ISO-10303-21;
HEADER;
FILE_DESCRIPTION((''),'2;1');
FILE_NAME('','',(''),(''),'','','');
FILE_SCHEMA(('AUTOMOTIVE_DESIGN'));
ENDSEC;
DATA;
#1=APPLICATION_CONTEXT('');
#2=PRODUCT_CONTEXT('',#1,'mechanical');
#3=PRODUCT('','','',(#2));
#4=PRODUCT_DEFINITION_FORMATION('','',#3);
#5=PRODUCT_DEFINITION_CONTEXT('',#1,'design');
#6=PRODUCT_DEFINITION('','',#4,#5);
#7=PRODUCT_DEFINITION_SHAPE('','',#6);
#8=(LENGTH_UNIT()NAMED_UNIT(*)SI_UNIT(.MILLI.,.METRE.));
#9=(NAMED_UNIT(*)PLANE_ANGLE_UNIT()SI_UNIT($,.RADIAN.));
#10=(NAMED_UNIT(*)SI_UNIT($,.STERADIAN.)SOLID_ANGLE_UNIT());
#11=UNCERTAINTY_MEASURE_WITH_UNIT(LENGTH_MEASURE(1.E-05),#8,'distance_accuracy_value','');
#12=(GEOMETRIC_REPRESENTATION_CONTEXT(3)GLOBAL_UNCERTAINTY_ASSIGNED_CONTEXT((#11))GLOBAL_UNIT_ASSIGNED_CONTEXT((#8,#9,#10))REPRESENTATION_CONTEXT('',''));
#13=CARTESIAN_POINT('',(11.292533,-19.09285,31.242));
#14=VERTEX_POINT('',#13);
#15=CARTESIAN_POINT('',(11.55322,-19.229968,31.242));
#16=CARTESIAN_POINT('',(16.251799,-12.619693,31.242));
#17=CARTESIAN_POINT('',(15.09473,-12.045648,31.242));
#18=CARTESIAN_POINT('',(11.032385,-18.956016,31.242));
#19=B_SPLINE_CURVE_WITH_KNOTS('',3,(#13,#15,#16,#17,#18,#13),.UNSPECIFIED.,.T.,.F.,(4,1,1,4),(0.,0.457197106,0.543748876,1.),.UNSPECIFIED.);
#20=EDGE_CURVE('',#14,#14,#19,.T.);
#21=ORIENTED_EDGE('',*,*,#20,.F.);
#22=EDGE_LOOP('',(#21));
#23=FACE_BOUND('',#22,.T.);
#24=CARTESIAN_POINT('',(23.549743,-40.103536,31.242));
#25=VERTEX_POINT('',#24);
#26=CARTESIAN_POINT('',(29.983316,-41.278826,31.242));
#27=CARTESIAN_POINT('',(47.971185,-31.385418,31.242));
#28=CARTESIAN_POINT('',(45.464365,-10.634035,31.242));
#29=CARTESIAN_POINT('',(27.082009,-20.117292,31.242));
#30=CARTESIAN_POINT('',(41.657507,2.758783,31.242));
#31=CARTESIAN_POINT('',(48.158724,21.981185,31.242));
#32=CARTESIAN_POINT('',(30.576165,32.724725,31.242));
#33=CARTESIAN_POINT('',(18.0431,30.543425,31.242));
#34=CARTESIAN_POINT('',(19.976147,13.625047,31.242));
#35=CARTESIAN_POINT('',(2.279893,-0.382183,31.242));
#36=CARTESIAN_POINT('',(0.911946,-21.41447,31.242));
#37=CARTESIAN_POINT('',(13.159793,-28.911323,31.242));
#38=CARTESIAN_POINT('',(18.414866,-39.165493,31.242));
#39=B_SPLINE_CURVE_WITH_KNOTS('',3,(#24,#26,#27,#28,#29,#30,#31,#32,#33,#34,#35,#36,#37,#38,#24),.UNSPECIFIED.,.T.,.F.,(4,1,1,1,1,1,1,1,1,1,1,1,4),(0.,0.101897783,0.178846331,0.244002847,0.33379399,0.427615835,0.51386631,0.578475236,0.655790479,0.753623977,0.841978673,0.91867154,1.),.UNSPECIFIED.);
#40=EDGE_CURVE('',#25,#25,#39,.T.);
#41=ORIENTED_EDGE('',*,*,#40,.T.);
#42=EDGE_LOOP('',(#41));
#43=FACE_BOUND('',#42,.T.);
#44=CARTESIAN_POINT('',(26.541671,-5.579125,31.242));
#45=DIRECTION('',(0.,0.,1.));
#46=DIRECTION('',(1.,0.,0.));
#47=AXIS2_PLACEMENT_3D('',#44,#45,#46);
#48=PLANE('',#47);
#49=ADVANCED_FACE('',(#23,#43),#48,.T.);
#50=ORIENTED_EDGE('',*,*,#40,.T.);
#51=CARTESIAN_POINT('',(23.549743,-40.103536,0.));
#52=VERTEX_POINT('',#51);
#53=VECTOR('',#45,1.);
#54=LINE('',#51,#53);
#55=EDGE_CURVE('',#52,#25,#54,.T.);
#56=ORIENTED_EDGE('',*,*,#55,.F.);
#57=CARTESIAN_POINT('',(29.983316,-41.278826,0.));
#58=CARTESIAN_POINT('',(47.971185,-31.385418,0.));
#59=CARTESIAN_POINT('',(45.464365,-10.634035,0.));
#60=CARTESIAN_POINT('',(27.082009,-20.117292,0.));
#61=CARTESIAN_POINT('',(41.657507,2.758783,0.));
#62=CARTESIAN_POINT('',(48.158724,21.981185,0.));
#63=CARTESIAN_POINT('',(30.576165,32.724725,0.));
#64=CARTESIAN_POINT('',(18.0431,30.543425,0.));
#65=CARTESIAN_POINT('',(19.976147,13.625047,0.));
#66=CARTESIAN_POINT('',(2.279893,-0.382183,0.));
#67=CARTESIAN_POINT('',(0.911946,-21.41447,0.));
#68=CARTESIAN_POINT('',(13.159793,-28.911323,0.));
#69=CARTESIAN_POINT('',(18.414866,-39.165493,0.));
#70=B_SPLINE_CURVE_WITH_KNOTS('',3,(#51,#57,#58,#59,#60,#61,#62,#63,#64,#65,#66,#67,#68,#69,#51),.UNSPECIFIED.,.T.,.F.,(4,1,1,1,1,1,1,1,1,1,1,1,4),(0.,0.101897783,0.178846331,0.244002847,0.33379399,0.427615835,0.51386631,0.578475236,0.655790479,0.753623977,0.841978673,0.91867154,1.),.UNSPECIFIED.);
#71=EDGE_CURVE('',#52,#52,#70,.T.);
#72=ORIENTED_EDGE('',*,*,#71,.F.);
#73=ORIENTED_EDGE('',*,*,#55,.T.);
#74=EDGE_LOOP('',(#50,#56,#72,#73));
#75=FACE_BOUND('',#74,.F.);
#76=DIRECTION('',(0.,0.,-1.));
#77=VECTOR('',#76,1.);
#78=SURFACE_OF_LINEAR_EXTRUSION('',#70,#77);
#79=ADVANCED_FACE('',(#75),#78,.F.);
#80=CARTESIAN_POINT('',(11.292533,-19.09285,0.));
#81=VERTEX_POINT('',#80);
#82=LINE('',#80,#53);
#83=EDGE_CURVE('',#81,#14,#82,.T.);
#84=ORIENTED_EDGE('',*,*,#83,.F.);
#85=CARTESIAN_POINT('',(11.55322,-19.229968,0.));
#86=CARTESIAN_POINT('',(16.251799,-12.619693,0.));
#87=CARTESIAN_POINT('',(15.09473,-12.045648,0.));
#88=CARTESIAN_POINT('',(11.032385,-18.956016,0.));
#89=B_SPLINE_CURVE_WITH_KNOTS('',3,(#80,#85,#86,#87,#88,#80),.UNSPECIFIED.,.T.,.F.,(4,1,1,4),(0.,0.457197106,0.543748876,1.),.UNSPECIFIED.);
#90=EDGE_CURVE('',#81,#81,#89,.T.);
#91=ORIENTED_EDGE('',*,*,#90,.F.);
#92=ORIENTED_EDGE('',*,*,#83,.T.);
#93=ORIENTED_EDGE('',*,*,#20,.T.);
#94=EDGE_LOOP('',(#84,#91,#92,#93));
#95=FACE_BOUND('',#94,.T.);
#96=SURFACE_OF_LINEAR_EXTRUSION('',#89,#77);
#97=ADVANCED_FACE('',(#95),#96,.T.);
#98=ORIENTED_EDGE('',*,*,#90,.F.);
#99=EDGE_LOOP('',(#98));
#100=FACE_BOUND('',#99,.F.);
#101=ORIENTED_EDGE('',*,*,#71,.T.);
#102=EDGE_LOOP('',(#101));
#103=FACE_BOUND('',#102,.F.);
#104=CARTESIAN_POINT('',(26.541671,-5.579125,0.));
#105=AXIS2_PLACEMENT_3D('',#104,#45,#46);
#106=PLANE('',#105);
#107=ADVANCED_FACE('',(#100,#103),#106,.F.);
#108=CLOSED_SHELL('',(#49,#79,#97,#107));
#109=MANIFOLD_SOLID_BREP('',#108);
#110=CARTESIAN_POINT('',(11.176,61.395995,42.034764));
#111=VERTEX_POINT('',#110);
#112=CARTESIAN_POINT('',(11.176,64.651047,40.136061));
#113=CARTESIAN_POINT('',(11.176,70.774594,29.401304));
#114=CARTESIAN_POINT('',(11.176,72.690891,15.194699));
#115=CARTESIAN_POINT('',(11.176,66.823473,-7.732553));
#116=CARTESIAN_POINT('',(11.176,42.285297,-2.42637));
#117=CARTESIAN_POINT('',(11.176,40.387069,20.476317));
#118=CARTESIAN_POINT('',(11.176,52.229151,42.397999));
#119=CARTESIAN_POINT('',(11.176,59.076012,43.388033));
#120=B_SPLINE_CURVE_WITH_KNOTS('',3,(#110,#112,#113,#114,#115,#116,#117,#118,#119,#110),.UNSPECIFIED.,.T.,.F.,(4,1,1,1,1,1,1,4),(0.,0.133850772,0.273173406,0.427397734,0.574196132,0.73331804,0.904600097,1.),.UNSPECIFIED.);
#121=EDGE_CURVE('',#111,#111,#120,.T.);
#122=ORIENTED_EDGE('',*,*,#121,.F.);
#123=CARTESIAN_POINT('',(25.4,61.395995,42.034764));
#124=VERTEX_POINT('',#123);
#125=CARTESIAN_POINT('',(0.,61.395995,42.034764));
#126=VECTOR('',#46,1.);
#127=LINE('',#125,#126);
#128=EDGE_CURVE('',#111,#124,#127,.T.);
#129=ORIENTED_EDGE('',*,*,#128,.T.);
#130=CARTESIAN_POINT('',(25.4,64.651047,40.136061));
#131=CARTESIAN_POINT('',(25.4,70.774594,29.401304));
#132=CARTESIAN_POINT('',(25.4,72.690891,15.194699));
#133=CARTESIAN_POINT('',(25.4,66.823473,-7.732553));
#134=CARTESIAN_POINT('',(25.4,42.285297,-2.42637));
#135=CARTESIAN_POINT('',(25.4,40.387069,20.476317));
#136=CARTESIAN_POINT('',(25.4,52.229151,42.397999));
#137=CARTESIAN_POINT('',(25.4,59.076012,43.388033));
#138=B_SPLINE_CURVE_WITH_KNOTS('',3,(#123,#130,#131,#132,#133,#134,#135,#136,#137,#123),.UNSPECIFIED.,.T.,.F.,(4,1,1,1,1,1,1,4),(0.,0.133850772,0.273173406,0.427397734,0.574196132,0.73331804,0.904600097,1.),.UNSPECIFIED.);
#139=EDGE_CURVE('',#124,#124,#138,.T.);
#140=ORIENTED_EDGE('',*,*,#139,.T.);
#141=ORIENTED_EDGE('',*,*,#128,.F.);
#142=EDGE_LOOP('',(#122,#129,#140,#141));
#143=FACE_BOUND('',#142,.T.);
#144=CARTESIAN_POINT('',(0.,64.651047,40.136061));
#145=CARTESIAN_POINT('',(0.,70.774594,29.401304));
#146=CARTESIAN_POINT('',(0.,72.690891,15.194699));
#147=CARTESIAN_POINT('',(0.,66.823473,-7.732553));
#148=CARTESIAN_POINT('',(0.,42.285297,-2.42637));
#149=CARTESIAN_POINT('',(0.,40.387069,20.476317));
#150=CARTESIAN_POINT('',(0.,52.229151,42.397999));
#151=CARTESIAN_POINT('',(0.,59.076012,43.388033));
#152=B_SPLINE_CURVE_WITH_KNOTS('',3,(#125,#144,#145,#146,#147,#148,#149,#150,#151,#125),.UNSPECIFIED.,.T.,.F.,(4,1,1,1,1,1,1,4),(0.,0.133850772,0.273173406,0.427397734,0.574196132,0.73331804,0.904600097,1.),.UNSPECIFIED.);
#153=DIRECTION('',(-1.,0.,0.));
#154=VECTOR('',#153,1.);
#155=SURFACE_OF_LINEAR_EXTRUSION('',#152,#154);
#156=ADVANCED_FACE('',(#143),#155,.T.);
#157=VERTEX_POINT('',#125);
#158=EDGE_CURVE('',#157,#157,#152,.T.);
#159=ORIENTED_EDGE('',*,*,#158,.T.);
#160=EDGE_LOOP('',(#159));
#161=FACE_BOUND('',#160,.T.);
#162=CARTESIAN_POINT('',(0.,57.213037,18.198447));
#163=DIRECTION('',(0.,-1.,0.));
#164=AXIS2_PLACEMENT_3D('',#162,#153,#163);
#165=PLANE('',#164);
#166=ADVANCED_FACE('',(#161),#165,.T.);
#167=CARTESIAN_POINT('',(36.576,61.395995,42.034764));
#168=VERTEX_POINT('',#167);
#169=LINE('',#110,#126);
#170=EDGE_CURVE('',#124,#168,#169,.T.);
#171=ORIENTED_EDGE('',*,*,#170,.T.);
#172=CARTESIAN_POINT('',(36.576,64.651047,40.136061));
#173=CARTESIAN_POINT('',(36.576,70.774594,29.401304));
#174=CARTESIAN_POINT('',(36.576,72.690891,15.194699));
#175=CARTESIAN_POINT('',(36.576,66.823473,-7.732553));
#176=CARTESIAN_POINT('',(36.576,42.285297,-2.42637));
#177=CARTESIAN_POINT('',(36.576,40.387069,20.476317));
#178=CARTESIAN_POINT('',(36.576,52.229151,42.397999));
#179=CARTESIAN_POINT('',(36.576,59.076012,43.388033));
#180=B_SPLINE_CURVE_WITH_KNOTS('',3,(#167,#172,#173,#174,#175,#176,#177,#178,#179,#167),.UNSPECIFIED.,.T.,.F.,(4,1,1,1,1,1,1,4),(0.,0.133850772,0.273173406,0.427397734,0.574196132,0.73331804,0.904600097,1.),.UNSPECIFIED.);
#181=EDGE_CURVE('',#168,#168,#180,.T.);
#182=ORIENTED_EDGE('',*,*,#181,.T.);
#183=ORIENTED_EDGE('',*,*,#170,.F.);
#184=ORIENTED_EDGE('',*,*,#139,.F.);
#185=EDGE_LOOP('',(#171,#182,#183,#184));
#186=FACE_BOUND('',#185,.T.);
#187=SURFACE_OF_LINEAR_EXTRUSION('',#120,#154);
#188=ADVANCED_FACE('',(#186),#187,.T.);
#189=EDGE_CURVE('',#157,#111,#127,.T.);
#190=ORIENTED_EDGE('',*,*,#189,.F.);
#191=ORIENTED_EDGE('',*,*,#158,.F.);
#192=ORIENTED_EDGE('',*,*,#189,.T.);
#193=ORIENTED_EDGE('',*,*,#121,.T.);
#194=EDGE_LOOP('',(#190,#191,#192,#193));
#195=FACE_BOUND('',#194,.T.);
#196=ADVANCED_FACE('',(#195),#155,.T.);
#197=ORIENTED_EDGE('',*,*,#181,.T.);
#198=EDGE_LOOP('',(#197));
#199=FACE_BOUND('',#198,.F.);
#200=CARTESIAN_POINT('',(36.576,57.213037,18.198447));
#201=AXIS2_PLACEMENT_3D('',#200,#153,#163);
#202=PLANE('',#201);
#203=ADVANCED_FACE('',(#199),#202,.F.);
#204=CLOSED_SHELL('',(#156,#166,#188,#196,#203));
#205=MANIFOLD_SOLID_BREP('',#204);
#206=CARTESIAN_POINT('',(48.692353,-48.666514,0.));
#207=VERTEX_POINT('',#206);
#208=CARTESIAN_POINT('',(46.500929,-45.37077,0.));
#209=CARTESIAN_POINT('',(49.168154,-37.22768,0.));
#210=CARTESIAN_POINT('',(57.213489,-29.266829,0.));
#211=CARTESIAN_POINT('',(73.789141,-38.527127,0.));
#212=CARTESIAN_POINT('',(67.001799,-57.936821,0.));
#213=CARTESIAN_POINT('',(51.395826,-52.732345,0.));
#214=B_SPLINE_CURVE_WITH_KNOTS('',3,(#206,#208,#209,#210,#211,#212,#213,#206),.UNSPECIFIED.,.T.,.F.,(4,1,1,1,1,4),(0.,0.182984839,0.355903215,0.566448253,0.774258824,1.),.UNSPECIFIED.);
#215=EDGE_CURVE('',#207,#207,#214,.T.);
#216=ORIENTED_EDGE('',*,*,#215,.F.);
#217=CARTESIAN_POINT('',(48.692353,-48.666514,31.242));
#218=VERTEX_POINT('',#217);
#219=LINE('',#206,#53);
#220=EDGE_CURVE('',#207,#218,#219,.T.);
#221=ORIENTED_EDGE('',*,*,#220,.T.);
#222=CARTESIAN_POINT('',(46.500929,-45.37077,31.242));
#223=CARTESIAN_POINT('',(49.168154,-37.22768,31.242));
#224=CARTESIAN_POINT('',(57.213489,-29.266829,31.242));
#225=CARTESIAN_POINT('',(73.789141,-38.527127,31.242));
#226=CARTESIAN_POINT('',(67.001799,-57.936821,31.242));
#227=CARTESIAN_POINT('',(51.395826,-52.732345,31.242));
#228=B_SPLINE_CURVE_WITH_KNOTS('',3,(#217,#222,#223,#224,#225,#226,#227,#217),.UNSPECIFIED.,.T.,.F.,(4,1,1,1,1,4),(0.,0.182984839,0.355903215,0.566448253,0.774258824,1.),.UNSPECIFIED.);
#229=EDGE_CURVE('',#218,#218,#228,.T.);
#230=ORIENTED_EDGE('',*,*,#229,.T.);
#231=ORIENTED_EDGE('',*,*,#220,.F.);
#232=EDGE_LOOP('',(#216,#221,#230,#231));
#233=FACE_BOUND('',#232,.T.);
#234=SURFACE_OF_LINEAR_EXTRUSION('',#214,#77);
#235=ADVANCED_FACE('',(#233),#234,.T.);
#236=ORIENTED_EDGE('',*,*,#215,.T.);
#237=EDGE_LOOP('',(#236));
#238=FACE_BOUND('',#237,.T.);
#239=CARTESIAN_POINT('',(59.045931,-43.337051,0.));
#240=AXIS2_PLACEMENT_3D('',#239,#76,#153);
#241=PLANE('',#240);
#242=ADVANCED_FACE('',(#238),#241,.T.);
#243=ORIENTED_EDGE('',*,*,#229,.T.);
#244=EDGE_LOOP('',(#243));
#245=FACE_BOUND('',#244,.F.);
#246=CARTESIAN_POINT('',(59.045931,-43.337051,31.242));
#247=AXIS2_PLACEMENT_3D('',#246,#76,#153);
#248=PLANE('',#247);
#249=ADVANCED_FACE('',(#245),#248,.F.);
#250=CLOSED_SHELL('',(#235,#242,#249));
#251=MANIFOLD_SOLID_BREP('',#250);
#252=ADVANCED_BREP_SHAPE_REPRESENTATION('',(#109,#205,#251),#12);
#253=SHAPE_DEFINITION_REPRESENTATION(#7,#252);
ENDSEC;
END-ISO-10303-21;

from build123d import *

# Parameters (mm, degrees)
F1_DEPTH = 31.242
F3_DEPTH = 11.176
F4_DEPTH = 25.4


with BuildPart() as f1:
    # F0 (on Top) → F1 (new body)
    with BuildSketch(Plane.XY):
        with BuildLine():
            add(Edge.make_bspline(
                [(23.5497429967, -40.1035360992), (29.9833158166, -41.2788259409), (47.9711851947, -31.3854184954), (45.4643645992, -10.6340345324), (27.0820088824, -20.117292247), (41.6575070226, 2.7587827901), (48.1587239606, 21.9811852047), (30.5761651268, 32.7247252722), (18.0431003853, 30.5434245343), (19.9761471231, 13.6250471487), (2.2798932471, -0.382183002), (0.9119455853, -21.4144698778), (13.1597933761, -28.911322758), (18.4148661243, -39.1654929938), (23.5497429967, -40.1035360992)],
                knots=[0, 0, 0, 0, 0.1018977825, 0.1788463313, 0.2440028472, 0.3337939899, 0.4276158348, 0.51386631, 0.5784752362, 0.6557904791, 0.7536239766, 0.8419786727, 0.9186715405, 1, 1, 1, 1], degree=3))
        make_face()
        with BuildLine():
            add(Edge.make_bspline(
                [(11.2925330177, -19.0928503871), (11.5532199303, -19.2299682307), (16.2517992428, -12.6196934711), (15.0947299119, -12.0456482481), (11.0323854898, -18.9560162526), (11.2925330177, -19.0928503871)],
                knots=[0, 0, 0, 0, 0.4571971061, 0.5437488759, 1, 1, 1, 1], degree=3))
        make_face(mode=Mode.SUBTRACT)
    extrude(amount=F1_DEPTH)


with BuildPart() as f1b:
    # F0 (on Top) → F1, piece 2 (new body)
    with BuildSketch(Plane.XY):
        with BuildLine():
            add(Edge.make_bspline(
                [(48.6923530698, -48.6665144563), (46.5009291503, -45.3707698318), (49.1681540871, -37.2276797586), (57.2134890081, -29.2668289332), (73.7891414347, -38.5271267177), (67.0017985075, -57.936820731), (51.3958262957, -52.7323445645), (48.6923530698, -48.6665144563)],
                knots=[0, 0, 0, 0, 0.182984839, 0.355903215, 0.5664482529, 0.7742588239, 1, 1, 1, 1], degree=3))
        make_face()
    extrude(amount=F1_DEPTH)


with BuildPart() as f3:
    # F2 (on Right) → F3 (new body)
    with BuildSketch(Plane.YZ):
        with BuildLine():
            add(Edge.make_bspline(
                [(61.3959953189, 42.0347638428), (64.6510468164, 40.1360607161), (70.7745942736, 29.4013036112), (72.6908906695, 15.1946993841), (66.8234728402, -7.7325525334), (42.2852968785, -2.4263699832), (40.3870694014, 20.4763169925), (52.2291514885, 42.3979986707), (59.0760117058, 43.3880327983), (61.3959953189, 42.0347638428)],
                knots=[0, 0, 0, 0, 0.1338507716, 0.2731734065, 0.4273977344, 0.5741961319, 0.7333180398, 0.9046000971, 1, 1, 1, 1], degree=3))
        make_face()
        with BuildLine():
            add(Edge.make_bspline(
                [(56.2722049654, 27.2545926273), (58.6281679194, 27.7534126274), (66.2130831859, 24.4705451041), (62.8080915446, 16.1528688927), (60.2049013627, 5.2648234143), (49.1047890829, 12.7605563858), (52.0948374247, 22.1974670716), (54.2061117909, 26.8171457669), (56.2722049654, 27.2545926273)],
                knots=[0, 0, 0, 0, 0.1670366173, 0.3331989475, 0.5037835597, 0.6757097581, 0.8535150078, 1, 1, 1, 1], degree=3))
        make_face(mode=Mode.SUBTRACT)
        with BuildLine():
            add(Edge.make_bspline(
                [(56.2722049654, 27.2545926273), (58.6281679194, 27.7534126274), (66.2130831859, 24.4705451041), (62.8080915446, 16.1528688927), (60.2049013627, 5.2648234143), (49.1047890829, 12.7605563858), (52.0948374247, 22.1974670716), (54.2061117909, 26.8171457669), (56.2722049654, 27.2545926273)],
                knots=[0, 0, 0, 0, 0.1670366173, 0.3331989475, 0.5037835597, 0.6757097581, 0.8535150078, 1, 1, 1, 1], degree=3))
        make_face()
    extrude(amount=F3_DEPTH)

    # F4 (add): faces of the model
    f4_faces = [f3.faces().sort_by_distance(p)[0] for p in [
        (0, 57.1515570729, 17.7946387549),
        (11.176, 57.1515570729, 17.7946387549),
    ]]
    extrude(f4_faces, amount=-F4_DEPTH, dir=(-1, 0, 0))


solid = Compound([f1.part, f1b.part, f3.part])
